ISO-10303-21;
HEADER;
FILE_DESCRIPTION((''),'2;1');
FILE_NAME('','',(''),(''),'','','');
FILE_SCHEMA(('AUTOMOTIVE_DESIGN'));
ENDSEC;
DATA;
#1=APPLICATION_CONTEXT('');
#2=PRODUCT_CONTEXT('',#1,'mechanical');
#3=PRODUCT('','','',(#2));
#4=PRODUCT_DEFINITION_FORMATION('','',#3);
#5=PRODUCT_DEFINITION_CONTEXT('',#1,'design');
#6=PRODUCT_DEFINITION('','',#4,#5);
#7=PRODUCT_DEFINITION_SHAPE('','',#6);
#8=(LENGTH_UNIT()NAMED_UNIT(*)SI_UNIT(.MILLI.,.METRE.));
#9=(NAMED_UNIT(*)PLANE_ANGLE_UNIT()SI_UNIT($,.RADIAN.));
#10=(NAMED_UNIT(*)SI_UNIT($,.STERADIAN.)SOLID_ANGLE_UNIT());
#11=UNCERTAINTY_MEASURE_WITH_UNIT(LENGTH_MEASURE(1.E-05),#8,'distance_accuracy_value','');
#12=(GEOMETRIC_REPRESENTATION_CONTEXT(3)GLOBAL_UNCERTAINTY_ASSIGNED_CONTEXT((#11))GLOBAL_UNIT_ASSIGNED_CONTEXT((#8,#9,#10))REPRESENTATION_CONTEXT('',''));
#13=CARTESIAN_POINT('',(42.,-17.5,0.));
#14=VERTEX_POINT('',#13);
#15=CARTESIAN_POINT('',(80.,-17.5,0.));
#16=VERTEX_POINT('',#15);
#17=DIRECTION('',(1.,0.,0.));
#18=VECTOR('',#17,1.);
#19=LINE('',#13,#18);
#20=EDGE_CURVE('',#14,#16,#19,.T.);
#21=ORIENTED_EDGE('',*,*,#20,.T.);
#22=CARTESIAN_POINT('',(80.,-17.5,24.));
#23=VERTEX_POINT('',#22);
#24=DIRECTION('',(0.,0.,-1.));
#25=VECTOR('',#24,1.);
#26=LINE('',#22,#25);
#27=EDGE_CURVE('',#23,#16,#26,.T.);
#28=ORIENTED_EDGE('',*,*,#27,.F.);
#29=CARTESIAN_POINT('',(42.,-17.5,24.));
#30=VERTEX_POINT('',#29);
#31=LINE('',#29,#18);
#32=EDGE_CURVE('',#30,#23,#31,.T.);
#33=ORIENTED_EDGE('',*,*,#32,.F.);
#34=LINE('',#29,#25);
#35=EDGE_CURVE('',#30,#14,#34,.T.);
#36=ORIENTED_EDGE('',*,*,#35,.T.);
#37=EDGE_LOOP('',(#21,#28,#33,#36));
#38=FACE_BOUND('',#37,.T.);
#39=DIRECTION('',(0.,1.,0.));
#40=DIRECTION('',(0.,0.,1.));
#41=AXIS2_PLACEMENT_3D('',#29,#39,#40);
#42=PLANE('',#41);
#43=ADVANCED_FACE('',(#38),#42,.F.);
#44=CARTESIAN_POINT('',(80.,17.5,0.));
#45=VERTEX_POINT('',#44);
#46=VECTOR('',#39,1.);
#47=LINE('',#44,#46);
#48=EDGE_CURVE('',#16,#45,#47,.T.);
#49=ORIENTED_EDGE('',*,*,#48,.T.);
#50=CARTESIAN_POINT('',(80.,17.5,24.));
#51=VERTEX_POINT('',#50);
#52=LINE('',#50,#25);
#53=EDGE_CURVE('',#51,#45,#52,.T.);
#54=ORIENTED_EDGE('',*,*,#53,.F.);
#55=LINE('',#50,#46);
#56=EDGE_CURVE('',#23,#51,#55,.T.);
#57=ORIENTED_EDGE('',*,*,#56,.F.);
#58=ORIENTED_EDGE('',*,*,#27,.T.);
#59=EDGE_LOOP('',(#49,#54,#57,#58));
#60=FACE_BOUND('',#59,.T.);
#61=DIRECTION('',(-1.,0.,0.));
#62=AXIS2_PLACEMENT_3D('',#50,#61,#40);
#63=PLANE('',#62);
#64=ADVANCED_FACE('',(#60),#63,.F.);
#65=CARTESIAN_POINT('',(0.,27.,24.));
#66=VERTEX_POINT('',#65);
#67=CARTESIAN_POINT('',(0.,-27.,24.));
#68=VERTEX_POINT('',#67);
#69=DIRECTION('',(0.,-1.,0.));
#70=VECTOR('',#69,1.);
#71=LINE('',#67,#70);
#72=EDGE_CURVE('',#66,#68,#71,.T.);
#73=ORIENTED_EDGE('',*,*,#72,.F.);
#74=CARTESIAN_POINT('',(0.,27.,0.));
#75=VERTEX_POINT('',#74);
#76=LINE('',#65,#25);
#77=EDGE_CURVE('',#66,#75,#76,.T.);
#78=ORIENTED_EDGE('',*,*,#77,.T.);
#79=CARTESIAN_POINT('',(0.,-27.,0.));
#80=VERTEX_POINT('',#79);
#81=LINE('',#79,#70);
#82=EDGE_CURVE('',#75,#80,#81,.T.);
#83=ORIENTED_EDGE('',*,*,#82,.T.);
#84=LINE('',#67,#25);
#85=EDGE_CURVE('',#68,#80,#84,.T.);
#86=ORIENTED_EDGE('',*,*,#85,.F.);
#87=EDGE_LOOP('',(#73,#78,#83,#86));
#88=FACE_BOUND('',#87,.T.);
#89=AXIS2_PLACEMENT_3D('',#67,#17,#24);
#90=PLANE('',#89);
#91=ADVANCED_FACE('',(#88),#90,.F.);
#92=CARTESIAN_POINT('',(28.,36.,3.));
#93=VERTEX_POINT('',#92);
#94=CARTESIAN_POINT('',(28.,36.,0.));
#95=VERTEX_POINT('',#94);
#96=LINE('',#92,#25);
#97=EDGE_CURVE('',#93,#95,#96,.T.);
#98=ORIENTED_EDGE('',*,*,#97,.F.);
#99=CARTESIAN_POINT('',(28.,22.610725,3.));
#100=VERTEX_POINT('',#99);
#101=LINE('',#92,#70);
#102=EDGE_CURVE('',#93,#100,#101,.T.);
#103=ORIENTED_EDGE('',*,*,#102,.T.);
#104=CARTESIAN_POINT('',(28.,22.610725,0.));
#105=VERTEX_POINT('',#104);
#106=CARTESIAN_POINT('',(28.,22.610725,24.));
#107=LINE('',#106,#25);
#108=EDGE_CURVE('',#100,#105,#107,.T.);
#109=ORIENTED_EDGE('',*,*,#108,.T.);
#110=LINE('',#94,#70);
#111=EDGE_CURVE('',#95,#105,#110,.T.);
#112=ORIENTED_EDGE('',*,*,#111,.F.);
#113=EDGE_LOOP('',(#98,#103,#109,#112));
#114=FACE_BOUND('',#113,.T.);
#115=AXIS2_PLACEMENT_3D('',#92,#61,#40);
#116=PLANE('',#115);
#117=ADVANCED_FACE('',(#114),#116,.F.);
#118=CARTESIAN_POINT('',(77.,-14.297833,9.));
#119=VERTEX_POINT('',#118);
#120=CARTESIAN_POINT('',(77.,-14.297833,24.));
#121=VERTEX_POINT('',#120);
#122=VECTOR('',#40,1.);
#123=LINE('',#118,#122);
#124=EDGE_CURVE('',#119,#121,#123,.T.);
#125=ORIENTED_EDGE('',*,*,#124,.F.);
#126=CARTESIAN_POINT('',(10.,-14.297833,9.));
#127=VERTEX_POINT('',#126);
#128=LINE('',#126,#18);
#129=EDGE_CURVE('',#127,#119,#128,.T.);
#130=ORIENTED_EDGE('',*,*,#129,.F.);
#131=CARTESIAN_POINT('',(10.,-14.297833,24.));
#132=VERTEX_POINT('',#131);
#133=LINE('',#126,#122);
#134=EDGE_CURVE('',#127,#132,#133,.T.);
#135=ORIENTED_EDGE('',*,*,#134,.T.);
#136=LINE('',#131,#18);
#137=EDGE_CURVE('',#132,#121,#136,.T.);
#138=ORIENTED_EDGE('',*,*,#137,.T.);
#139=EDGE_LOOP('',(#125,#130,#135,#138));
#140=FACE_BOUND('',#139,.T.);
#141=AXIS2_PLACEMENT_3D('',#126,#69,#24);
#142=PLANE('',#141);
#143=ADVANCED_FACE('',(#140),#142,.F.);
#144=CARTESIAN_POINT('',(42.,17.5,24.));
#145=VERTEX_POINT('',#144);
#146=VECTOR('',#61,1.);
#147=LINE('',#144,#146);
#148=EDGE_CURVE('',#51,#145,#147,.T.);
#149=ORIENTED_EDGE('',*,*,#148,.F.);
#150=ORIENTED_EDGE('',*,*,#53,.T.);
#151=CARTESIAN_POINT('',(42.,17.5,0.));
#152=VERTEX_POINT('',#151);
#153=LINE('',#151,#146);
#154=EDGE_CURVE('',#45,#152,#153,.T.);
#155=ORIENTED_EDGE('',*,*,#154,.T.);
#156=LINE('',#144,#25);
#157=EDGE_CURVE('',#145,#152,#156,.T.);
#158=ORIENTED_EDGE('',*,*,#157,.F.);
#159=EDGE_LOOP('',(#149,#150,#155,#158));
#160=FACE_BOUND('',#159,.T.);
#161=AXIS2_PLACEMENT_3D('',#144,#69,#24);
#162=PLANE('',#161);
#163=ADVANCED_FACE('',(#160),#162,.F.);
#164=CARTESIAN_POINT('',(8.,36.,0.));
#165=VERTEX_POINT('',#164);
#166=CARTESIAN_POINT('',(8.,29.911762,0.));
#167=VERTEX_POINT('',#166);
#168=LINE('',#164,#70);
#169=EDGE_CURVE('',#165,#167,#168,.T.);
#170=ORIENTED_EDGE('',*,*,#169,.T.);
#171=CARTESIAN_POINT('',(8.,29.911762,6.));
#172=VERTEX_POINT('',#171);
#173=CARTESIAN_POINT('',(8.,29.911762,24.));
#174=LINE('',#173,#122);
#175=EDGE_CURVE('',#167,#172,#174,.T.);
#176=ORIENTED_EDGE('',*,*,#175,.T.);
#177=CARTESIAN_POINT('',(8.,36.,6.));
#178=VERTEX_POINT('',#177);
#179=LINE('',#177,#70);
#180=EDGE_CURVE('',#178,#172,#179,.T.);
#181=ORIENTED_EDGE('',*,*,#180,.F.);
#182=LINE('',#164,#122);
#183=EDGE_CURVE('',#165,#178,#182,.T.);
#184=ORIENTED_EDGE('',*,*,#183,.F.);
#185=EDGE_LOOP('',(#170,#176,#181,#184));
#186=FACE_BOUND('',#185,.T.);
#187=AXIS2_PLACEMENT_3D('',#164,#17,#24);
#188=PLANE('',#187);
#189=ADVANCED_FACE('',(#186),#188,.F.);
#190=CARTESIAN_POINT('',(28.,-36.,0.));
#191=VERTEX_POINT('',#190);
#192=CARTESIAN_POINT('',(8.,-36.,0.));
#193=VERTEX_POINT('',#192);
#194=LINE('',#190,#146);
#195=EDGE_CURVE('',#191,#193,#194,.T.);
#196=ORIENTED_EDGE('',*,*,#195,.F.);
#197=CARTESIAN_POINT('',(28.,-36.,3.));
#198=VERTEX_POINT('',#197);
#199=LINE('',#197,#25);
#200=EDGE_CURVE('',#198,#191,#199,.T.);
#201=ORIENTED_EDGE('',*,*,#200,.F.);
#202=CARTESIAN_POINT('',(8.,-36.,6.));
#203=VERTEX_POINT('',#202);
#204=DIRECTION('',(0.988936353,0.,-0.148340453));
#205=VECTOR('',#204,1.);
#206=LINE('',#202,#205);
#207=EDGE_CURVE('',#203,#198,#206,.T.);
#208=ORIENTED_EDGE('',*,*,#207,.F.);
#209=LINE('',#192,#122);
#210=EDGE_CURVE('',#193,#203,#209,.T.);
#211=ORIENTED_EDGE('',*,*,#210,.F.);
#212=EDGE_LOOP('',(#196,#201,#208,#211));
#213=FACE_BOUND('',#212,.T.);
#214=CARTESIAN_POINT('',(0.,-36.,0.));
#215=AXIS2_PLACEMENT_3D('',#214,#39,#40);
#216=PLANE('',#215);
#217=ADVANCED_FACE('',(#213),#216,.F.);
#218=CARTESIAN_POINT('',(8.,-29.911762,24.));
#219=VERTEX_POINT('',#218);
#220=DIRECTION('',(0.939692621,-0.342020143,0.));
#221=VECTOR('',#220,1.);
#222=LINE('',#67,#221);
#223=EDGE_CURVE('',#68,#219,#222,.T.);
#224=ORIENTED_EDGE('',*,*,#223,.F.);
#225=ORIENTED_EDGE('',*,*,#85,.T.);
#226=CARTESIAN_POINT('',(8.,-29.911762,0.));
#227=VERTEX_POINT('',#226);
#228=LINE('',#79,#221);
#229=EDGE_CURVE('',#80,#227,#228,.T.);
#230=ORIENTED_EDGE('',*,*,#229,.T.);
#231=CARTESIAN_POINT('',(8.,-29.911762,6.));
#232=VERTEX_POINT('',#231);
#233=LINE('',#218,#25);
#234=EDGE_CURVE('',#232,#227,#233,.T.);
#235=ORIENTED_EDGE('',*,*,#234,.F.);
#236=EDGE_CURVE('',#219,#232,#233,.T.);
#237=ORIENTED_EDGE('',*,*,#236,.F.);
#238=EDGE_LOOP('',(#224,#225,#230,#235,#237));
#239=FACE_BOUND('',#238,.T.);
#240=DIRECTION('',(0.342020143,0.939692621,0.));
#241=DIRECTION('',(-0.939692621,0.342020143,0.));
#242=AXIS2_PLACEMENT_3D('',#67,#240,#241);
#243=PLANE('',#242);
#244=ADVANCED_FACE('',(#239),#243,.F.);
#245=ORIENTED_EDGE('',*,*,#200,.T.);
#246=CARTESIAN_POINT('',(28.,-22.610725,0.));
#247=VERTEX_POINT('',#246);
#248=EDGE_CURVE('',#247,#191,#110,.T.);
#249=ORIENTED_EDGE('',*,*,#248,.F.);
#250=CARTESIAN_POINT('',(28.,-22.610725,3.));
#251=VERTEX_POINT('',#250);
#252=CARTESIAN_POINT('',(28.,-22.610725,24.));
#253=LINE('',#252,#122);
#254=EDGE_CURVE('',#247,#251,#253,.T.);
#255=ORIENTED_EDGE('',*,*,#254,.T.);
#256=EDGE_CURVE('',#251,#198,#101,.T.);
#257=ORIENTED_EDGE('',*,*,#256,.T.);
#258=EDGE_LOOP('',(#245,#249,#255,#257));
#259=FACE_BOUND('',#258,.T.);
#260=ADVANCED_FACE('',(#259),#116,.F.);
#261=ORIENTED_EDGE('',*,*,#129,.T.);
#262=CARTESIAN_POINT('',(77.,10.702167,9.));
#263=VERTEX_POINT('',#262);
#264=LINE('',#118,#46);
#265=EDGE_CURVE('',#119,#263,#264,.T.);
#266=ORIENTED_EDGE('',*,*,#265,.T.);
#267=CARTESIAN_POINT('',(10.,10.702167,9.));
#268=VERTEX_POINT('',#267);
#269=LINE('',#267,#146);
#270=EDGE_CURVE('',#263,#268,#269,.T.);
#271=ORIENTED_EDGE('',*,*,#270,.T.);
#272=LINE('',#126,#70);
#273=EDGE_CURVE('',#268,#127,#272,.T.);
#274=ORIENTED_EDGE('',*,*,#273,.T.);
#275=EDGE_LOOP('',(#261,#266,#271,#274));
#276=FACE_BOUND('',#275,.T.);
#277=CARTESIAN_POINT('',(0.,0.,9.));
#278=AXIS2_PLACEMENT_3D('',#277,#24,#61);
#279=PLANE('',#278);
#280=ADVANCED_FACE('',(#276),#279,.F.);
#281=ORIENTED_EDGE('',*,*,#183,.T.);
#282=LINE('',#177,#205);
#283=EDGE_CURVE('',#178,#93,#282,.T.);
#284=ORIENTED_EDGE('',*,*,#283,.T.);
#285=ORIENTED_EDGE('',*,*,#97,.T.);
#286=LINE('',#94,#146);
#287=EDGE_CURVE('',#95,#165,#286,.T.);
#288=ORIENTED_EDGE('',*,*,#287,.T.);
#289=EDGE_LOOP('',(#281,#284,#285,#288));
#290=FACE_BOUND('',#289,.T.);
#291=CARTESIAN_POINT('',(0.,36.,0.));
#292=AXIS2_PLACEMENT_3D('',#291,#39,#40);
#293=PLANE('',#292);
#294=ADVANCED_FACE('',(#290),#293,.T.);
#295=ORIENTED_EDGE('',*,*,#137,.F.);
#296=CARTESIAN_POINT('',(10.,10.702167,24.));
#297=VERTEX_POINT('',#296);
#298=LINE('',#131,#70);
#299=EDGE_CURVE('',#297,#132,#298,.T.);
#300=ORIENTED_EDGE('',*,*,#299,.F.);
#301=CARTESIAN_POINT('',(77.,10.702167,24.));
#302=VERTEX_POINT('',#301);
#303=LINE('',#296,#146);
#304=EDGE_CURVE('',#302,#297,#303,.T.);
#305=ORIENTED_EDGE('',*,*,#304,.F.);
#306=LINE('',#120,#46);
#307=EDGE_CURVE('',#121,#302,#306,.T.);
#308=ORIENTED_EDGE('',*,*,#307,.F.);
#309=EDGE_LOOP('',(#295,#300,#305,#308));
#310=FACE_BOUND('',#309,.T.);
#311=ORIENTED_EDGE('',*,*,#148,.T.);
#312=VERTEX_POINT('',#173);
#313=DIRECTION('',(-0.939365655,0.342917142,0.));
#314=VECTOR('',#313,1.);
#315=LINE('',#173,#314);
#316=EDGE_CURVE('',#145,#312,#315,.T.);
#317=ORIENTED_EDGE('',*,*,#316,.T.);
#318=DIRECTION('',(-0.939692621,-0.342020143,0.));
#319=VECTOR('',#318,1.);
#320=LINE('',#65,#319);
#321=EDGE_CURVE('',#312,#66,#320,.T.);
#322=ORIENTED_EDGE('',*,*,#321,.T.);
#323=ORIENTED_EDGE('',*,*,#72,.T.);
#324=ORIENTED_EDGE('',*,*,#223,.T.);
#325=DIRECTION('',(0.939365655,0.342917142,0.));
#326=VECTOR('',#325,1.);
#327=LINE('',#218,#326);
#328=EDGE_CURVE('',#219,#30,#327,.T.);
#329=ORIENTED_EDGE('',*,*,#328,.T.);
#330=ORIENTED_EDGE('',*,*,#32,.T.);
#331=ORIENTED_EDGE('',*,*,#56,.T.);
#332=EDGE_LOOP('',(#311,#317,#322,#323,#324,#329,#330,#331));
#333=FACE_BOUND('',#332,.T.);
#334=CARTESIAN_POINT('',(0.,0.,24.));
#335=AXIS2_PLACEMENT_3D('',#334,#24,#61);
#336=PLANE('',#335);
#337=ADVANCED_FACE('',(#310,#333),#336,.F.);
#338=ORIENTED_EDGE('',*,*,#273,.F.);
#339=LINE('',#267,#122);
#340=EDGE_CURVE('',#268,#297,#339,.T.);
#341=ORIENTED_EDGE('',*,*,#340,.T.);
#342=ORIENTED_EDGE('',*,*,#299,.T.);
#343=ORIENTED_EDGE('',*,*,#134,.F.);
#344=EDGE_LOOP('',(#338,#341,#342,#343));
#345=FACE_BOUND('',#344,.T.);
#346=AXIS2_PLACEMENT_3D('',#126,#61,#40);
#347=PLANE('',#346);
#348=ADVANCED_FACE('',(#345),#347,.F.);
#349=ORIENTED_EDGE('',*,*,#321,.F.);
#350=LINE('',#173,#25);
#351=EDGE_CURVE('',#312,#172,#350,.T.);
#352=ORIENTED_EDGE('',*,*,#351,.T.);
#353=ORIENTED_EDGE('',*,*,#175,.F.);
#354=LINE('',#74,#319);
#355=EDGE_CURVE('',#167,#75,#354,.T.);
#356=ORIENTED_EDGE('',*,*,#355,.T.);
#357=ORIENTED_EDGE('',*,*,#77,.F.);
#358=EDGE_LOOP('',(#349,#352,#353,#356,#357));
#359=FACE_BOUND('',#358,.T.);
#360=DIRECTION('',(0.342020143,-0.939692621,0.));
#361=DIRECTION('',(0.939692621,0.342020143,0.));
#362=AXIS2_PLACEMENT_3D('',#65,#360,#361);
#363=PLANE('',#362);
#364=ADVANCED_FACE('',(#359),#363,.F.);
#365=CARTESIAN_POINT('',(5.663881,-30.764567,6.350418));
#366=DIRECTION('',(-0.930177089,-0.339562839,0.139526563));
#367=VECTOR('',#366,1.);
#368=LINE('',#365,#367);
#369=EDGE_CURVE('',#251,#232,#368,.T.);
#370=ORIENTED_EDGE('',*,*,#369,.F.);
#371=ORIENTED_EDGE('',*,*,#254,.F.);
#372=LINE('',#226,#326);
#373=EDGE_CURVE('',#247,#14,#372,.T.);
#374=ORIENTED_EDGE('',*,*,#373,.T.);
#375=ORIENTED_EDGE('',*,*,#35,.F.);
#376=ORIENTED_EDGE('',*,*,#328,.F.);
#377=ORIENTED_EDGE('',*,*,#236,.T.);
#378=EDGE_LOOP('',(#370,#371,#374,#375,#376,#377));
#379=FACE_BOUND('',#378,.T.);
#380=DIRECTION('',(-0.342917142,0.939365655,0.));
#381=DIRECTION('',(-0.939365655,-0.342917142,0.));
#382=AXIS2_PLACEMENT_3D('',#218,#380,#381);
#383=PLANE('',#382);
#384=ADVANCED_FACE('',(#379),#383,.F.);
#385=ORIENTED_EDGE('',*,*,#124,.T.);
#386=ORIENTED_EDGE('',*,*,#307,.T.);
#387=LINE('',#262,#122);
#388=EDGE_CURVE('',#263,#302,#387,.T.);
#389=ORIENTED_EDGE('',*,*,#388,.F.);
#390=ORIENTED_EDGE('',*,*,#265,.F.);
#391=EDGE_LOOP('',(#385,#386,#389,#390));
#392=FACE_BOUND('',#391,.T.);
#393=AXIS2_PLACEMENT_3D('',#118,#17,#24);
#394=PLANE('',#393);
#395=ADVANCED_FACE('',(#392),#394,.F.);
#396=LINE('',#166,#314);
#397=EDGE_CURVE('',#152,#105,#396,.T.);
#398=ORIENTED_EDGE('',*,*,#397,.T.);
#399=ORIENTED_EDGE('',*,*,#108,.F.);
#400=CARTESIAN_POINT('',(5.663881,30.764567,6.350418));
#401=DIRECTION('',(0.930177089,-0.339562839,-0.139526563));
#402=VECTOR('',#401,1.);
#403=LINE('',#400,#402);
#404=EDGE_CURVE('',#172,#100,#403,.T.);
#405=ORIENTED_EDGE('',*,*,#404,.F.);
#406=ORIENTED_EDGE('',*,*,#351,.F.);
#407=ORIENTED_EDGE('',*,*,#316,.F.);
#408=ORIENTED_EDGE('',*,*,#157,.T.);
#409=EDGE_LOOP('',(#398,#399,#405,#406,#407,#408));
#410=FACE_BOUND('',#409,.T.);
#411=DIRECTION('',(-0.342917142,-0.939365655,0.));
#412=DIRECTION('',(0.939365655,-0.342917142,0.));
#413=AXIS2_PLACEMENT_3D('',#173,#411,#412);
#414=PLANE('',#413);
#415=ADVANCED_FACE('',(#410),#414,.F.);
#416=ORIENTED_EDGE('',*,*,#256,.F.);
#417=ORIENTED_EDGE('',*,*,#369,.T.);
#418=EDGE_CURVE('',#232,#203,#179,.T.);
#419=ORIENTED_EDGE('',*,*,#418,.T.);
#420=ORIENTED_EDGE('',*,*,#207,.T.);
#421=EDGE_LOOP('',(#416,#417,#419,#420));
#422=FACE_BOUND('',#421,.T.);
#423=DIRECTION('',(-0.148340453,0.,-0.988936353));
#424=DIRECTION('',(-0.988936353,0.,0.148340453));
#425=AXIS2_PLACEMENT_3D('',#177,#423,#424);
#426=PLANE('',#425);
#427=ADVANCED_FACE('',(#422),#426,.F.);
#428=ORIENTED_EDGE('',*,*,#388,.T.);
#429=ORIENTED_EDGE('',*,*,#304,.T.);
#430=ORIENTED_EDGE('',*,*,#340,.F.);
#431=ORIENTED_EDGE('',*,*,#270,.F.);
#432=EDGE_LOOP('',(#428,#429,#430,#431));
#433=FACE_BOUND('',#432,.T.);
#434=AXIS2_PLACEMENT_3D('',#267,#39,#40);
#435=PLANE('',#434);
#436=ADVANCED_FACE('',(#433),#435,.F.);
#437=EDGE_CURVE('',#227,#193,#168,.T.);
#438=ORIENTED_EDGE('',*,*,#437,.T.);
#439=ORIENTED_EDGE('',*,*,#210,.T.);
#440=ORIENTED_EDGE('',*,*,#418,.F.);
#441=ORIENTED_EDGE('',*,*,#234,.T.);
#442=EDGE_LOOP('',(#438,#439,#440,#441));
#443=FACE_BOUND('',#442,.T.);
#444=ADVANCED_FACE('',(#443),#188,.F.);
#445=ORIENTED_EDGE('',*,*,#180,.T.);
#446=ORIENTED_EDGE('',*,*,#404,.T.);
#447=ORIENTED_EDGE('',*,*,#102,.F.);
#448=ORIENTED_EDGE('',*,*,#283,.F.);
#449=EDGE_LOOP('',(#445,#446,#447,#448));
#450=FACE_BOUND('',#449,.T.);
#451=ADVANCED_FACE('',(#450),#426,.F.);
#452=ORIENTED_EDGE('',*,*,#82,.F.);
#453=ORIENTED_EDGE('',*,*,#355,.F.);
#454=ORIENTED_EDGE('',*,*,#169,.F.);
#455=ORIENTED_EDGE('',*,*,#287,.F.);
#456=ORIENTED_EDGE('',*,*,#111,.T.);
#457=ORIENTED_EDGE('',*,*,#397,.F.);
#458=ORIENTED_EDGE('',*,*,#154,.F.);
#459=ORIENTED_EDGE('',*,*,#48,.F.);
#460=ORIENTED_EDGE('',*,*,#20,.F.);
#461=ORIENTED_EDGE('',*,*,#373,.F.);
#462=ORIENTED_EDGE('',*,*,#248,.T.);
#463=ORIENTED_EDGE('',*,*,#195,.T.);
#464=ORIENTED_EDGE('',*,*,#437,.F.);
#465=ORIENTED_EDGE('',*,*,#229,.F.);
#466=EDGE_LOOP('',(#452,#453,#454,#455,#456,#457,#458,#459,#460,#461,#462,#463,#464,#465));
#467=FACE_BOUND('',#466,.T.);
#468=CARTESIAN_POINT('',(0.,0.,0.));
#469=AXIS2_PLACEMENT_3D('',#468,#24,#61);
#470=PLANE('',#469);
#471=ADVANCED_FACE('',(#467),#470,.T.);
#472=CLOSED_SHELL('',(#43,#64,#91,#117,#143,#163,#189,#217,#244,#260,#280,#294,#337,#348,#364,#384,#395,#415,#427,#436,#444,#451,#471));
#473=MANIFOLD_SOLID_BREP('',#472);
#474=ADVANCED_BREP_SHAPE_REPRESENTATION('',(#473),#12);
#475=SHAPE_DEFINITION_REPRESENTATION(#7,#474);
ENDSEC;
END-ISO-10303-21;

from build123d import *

# Parameters (mm, degrees)
BOSS_EXTRUDE1_DEPTH = 24
BOSS_EXTRUDE2_DEPTH = 36
SKETCH3_W           = 67
SKETCH3_H           = 25
CUT_EXTRUDE2_DEPTH  = 15


with BuildPart() as part:
    # Sketch1 → Boss-Extrude1 (new body)
    with BuildSketch(Plane.XY):
        Polygon((0, -27), (0, 27), (8, 29.911761874), (42, 17.5), (80, 17.5), (80, -17.5), (42, -17.5), (8, -29.911761874), align=None)
    extrude(amount=BOSS_EXTRUDE1_DEPTH)

    # Sketch2 → Boss-Extrude2 (add, symmetric)
    with BuildSketch(Plane(origin=(0, 0, 0), x_dir=(1, 0, 0), z_dir=(0, 1, 0))):
        Polygon((8, 0), (8, -6), (28, -3), (28, 0), align=None)
    extrude(amount=BOSS_EXTRUDE2_DEPTH, both=True)

    # Sketch3 → Cut-Extrude2 (cut)
    with BuildSketch(Plane.XY.offset(24)):
        with Locations((43.5, -1.797832718)):
            Rectangle(SKETCH3_W, SKETCH3_H)
    extrude(amount=-CUT_EXTRUDE2_DEPTH, mode=Mode.SUBTRACT)


solid = part.part
